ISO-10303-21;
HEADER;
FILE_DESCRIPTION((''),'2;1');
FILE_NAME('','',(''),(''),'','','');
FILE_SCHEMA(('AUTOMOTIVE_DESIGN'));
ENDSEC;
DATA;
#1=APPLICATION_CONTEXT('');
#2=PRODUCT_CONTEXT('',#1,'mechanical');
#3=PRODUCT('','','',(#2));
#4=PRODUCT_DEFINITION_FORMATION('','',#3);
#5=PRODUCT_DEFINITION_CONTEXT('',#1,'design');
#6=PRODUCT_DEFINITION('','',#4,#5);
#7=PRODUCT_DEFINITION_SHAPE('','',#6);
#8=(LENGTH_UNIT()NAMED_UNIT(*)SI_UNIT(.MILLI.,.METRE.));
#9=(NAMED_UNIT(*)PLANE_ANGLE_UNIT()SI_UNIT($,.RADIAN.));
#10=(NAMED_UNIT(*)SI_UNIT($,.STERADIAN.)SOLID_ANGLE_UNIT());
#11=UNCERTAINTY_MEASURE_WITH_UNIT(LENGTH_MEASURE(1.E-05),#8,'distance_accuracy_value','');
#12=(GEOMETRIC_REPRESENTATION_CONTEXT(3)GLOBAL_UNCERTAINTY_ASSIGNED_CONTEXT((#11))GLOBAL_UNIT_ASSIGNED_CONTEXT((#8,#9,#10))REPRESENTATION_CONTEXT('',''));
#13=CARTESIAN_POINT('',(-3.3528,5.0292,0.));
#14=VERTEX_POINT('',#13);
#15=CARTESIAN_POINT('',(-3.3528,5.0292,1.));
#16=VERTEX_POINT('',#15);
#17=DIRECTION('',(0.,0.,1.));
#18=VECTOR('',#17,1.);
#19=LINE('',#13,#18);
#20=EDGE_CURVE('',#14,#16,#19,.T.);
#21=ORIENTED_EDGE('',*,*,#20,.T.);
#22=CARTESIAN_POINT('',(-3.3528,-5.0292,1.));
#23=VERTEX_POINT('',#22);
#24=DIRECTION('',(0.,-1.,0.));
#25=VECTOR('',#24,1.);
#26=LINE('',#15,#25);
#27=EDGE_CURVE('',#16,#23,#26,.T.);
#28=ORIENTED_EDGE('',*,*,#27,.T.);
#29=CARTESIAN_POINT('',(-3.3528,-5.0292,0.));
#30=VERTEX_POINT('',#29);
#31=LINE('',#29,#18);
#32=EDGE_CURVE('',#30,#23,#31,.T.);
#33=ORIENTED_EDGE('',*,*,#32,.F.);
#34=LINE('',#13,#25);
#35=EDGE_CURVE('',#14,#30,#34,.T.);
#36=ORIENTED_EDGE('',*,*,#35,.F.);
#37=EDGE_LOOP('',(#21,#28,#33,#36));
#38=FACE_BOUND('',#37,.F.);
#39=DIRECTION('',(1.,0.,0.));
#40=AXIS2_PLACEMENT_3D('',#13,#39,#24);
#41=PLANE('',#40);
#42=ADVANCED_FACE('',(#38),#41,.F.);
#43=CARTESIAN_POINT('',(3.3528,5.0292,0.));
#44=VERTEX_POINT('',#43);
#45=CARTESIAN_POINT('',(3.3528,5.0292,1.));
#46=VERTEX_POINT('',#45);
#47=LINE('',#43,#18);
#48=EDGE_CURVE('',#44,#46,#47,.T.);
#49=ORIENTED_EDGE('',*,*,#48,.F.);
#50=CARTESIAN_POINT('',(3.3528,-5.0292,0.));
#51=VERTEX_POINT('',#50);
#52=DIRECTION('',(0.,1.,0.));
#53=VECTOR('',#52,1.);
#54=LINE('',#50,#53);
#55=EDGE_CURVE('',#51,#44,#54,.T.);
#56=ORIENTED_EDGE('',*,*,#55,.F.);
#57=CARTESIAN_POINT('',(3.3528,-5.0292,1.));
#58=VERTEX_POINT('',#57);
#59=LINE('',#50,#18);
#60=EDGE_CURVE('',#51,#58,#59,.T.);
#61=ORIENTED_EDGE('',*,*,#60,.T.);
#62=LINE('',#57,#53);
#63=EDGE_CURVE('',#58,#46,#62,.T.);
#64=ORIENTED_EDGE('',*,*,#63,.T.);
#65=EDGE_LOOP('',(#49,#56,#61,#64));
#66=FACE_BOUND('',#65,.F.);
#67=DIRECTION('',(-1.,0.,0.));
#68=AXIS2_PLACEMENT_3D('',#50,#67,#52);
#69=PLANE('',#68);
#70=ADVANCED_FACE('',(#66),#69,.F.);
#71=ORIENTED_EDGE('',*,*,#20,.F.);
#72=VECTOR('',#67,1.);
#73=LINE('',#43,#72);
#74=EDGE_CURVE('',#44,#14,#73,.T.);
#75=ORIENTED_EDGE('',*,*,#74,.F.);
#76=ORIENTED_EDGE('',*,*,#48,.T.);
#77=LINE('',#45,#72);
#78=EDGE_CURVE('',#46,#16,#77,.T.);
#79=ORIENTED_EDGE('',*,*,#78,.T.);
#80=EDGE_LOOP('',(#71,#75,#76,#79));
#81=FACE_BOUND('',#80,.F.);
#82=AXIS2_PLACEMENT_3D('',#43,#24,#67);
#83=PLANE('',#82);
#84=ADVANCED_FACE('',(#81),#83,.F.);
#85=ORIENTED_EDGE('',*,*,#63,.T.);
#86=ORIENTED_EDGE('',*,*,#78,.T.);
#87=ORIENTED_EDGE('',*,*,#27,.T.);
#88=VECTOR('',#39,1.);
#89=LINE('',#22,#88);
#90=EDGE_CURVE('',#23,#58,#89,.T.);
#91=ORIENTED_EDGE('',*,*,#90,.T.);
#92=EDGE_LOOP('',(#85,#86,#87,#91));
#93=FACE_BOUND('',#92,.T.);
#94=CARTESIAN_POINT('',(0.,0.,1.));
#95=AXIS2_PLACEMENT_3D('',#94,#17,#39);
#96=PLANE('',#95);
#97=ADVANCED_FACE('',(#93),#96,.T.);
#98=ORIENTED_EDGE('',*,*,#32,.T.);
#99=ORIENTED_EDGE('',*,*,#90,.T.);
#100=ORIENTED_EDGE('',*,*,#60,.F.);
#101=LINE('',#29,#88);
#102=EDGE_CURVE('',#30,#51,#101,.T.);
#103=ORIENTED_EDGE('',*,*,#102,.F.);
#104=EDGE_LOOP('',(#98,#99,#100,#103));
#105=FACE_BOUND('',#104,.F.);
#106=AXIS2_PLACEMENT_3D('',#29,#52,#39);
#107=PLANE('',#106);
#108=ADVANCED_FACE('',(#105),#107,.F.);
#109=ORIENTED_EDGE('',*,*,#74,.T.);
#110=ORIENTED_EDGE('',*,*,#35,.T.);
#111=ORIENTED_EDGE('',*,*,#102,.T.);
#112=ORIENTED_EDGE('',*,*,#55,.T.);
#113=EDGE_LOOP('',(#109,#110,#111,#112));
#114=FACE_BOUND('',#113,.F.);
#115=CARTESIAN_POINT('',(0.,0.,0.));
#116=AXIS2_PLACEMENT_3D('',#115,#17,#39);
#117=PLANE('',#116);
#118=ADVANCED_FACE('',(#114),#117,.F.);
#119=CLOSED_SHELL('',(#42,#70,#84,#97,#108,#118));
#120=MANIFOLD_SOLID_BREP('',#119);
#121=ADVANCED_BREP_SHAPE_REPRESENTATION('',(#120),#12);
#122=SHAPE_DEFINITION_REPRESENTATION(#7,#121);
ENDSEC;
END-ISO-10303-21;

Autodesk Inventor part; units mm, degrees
ref_plane "YZ Plane" through (0, 0, 0) normal (1, 0, 0) x (0, 1, 0)
ref_plane "XZ Plane" through (0, 0, 0) normal (0, 1, 0) x (-1, 0, 0)
ref_plane "XY Plane" through (0, 0, 0) normal (0, 0, 1) x (1, 0, 0)
sketch "SOIC16-N_MC, MCP3208-XX_SL_1" plane through (0, 0, 0) normal (0, 0, 1) x (1, 0, 0)
  line L0 (-3.3528, -5.0292) -> (3.3528, -5.0292)
  line L1 (3.3528, -5.0292) -> (3.3528, 5.0292)
  line L2 (3.3528, 5.0292) -> (-3.3528, 5.0292)
  line L3 (-3.3528, 5.0292) -> (-3.3528, -5.0292)
extrude "Extrusion1" add sketch "SOIC16-N_MC, MCP3208-XX_SL_1" along normal blind 1
properties part number "MCP3208-XX_SL"
